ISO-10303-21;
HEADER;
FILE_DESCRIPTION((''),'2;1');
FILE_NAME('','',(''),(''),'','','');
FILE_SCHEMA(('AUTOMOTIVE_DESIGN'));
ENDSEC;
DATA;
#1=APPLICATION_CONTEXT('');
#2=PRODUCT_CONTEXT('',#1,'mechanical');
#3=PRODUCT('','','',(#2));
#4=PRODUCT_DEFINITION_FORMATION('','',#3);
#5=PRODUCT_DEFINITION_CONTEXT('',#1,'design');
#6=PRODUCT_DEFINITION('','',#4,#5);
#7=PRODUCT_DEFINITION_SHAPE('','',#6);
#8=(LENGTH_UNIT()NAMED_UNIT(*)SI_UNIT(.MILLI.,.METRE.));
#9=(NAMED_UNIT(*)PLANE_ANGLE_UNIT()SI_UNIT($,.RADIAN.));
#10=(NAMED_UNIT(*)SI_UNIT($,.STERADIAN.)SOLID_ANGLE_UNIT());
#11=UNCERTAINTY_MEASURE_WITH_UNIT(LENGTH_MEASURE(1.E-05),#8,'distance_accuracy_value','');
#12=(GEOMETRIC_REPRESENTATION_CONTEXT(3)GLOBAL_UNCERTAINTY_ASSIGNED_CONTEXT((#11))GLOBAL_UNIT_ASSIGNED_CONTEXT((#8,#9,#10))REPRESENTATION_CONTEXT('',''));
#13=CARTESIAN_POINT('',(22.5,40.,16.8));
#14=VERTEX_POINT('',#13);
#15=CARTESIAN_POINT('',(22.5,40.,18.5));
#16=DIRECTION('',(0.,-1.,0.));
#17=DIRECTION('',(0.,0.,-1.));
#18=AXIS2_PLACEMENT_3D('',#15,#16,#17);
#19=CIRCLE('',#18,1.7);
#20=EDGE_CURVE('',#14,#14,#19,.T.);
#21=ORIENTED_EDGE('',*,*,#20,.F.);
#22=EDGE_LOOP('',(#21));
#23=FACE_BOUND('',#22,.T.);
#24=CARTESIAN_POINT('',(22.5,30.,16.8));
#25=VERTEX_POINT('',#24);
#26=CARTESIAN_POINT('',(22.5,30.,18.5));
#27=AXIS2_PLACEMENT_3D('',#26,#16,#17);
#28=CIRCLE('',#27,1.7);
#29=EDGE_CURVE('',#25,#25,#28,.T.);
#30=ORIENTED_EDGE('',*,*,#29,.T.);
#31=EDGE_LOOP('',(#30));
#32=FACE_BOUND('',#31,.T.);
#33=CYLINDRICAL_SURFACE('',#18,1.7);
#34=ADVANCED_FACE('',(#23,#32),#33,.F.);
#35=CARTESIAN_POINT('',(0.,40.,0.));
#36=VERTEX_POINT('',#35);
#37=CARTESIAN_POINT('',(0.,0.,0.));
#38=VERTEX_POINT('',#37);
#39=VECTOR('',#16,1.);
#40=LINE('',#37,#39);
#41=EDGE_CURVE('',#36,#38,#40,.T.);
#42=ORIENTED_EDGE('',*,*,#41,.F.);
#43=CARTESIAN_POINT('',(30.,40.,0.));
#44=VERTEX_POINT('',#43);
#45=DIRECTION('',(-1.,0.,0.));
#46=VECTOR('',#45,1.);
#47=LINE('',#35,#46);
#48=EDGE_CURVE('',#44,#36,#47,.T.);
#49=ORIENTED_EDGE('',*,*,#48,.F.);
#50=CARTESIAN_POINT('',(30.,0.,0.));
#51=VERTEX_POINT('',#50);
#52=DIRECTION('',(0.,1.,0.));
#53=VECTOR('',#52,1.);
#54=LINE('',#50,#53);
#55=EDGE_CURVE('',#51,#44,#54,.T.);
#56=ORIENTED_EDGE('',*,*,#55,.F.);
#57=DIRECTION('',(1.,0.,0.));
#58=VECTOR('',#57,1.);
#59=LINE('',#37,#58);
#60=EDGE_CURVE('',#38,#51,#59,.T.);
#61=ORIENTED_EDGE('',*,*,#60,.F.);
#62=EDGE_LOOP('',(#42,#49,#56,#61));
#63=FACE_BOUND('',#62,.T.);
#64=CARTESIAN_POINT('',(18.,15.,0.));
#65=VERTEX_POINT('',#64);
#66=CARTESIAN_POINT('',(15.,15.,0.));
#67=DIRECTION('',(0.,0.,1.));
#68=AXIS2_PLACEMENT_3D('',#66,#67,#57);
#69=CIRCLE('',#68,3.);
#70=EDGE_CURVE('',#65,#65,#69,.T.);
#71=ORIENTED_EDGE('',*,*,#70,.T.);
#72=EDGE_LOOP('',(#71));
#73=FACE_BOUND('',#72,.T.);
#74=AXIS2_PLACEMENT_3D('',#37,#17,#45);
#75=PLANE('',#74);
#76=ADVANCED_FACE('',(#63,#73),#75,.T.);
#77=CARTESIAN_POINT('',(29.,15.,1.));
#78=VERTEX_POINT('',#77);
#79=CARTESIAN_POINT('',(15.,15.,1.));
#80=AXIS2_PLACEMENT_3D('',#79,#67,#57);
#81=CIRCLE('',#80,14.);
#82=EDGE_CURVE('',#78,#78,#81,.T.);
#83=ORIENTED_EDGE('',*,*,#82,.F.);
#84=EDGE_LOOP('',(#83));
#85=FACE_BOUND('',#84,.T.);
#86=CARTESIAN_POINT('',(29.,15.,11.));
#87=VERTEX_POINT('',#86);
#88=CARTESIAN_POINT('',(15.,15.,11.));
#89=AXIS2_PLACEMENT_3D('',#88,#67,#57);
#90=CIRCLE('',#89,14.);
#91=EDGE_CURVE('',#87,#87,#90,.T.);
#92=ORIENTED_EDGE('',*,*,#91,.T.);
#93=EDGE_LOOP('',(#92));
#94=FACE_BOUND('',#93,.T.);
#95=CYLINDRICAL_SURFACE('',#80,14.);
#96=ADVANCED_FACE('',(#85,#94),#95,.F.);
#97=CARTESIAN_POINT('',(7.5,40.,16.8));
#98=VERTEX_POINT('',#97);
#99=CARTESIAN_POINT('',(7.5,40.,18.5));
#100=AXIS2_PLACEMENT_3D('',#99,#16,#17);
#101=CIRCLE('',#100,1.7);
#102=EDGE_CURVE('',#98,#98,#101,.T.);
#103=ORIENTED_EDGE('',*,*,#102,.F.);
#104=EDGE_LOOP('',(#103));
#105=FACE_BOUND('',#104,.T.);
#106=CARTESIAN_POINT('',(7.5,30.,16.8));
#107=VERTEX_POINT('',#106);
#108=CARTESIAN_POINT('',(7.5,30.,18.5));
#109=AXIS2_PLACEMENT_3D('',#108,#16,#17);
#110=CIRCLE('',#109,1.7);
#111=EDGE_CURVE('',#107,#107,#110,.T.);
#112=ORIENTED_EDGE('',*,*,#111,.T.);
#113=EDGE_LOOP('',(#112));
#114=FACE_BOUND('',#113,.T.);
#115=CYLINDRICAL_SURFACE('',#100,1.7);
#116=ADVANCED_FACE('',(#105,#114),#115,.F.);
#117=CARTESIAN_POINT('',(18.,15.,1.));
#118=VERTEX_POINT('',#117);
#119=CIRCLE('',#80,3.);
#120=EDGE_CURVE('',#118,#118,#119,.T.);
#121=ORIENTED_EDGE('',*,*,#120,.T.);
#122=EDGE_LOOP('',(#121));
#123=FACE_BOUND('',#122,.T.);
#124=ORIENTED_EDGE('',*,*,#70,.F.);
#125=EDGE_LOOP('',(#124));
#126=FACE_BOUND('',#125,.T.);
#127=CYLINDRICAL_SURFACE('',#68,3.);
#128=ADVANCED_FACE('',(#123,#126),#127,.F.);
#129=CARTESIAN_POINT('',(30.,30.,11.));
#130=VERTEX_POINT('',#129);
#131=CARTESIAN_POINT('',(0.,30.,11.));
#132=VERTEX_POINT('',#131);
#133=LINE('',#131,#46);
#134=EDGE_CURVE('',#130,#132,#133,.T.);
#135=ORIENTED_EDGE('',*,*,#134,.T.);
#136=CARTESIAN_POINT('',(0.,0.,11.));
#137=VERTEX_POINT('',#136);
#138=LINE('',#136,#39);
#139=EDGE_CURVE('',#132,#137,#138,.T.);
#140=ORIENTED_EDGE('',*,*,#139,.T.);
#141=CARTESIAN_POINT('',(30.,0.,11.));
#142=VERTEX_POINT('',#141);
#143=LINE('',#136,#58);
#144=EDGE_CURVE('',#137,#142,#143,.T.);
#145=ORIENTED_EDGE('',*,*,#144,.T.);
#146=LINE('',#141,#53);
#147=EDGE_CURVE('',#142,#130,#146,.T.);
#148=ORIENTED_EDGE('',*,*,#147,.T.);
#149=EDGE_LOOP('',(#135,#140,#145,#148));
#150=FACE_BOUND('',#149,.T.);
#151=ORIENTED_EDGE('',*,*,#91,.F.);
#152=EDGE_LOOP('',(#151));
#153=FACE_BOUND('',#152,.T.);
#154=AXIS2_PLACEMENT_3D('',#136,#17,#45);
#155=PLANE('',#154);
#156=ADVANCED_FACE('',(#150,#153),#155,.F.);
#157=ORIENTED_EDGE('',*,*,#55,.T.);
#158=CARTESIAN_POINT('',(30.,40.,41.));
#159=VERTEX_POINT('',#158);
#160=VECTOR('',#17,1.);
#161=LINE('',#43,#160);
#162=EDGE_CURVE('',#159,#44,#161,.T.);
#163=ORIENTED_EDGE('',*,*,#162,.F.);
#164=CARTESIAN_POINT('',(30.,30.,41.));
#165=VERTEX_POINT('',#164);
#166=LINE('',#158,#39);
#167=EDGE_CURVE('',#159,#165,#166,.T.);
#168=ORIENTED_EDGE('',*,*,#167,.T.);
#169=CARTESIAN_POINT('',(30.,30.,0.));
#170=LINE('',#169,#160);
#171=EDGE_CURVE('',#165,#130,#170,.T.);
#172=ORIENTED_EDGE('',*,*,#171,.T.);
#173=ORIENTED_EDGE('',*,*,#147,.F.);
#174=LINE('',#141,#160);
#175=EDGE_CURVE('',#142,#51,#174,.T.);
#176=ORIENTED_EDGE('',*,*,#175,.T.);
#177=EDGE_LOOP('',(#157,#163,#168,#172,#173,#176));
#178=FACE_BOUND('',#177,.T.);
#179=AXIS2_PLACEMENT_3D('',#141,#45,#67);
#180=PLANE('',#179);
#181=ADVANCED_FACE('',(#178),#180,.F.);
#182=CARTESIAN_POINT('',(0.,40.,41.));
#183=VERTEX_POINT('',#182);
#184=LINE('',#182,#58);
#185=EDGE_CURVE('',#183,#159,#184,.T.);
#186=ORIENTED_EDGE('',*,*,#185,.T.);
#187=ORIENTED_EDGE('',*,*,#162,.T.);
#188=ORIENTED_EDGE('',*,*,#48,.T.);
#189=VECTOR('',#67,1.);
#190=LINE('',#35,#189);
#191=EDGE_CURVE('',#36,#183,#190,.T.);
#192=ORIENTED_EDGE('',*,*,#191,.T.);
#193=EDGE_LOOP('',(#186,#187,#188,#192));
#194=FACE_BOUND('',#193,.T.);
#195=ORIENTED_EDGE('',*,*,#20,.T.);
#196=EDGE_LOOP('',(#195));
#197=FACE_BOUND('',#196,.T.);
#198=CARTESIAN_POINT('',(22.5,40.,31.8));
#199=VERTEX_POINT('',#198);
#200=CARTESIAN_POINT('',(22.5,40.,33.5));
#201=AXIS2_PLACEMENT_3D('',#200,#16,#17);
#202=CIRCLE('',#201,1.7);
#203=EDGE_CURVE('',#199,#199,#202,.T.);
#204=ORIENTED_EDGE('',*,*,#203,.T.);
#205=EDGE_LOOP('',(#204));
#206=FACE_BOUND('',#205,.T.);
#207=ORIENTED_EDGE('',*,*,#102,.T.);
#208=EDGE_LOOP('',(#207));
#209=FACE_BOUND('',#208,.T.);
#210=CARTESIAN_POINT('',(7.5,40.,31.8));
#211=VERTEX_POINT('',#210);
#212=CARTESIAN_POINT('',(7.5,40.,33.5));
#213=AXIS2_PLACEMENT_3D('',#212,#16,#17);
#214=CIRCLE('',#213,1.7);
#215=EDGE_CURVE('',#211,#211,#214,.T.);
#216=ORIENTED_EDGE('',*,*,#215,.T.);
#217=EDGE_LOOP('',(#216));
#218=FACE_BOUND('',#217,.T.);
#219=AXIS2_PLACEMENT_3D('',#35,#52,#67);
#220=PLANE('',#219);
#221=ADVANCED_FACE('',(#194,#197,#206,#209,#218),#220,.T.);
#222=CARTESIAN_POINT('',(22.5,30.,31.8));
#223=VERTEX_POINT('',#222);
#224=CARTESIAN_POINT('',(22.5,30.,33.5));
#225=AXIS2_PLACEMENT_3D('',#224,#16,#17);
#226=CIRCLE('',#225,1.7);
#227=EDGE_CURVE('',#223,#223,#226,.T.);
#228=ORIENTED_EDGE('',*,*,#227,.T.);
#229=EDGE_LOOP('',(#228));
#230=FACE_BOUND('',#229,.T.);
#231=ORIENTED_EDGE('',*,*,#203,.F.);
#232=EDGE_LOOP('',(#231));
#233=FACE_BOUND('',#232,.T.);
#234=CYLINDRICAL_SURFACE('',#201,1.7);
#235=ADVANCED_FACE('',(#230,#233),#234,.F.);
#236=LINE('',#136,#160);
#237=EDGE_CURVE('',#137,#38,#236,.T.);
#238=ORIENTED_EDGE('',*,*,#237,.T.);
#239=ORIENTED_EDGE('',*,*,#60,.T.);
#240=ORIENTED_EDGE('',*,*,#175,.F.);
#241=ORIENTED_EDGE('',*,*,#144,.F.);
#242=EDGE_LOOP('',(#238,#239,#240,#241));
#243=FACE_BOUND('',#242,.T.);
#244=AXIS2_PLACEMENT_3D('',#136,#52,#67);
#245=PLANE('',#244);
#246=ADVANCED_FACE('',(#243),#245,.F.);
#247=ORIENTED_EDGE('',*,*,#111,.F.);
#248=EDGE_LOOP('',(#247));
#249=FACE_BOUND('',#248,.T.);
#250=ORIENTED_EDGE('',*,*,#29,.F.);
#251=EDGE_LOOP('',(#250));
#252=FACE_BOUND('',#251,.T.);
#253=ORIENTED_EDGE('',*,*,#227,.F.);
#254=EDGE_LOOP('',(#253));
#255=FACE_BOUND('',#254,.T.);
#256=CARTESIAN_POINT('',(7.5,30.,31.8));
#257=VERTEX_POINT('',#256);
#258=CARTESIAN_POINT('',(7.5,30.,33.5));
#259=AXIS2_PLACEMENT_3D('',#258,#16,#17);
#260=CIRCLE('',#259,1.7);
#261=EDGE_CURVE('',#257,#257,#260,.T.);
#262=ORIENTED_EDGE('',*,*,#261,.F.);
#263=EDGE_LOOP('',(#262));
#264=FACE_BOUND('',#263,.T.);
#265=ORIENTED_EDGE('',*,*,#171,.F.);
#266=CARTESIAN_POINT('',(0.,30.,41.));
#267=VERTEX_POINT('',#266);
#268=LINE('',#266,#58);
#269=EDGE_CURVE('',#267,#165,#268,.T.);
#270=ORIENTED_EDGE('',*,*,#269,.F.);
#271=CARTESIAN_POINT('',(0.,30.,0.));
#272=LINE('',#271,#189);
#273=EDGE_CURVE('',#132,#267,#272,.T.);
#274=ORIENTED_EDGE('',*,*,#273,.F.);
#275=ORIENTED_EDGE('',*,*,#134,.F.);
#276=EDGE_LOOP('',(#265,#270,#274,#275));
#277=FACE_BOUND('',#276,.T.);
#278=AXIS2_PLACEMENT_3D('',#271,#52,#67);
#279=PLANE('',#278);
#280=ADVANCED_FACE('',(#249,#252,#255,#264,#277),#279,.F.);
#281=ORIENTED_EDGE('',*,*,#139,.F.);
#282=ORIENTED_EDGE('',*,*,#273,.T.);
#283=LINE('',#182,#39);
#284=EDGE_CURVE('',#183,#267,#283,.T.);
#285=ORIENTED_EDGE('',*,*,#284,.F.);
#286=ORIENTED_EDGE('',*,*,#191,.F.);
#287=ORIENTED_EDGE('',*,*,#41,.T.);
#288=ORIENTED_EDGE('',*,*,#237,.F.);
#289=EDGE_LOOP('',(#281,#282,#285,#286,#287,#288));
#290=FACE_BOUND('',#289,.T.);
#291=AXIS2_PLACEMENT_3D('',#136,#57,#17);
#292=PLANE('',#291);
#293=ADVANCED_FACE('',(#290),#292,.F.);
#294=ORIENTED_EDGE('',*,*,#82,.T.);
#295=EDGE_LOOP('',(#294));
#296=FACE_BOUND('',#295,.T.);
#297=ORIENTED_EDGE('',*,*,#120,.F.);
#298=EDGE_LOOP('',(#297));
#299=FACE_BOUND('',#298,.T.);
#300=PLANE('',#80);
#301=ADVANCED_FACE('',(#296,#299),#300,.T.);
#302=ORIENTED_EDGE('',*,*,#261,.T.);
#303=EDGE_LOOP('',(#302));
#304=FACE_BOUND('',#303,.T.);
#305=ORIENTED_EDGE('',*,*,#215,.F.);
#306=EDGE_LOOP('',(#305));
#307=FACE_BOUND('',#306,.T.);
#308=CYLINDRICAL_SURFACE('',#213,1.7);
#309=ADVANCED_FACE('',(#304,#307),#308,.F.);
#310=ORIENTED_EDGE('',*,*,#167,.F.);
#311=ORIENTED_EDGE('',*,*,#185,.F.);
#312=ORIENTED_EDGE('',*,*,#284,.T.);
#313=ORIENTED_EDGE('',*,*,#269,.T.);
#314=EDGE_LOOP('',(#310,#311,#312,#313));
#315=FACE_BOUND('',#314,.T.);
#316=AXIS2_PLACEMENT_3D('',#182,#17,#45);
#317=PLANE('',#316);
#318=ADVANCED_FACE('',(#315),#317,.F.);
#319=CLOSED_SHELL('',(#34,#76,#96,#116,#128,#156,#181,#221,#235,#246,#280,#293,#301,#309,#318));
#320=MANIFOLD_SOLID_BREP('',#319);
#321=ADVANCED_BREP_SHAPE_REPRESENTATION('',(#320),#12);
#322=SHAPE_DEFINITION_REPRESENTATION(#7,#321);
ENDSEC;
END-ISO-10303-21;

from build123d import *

# Parameters (mm, degrees)
SKETCH1_W           = 30
SKETCH1_H           = 30
BOSS_EXTRUDE1_DEPTH = 11
SKETCH2_R           = 14
CUT_EXTRUDE1_DEPTH  = 10
SKETCH3_R           = 3
CUT_EXTRUDE2_DEPTH  = 1
SKETCH4_W           = 30
SKETCH4_H           = 41
BOSS_EXTRUDE2_DEPTH = 10
SKETCH5_R           = 1.7
CUT_EXTRUDE3_DEPTH  = 60


with BuildPart() as part:
    # Sketch1 → Boss-Extrude1 (new body)
    with BuildSketch(Plane.XY):
        with Locations((15, 15)):
            Rectangle(SKETCH1_W, SKETCH1_H)
    extrude(amount=BOSS_EXTRUDE1_DEPTH)

    # Sketch2 → Cut-Extrude1 (cut)
    with BuildSketch(Plane.XY.offset(11)):
        with Locations((15, 15)):
            Circle(SKETCH2_R)
    extrude(amount=-CUT_EXTRUDE1_DEPTH, mode=Mode.SUBTRACT)

    # Sketch3 → Cut-Extrude2 (cut)
    with BuildSketch(Plane.XY.offset(1)):
        with Locations((15, 15)):
            Circle(SKETCH3_R)
    extrude(amount=-CUT_EXTRUDE2_DEPTH, mode=Mode.SUBTRACT)

    # Sketch4 → Boss-Extrude2 (add)
    with BuildSketch(Plane(origin=(0, 30, 0), x_dir=(1, 0, 0), z_dir=(0, 1, 0))):
        with Locations((15, -20.5)):
            Rectangle(SKETCH4_W, SKETCH4_H)
    extrude(amount=BOSS_EXTRUDE2_DEPTH)

    # Sketch5 → Cut-Extrude3 (cut, through all)
    with BuildSketch(Plane.XZ.offset(-30)):
        with Locations(Location((7.5, 33.5, 0), (0, 0, 270))):
            Circle(SKETCH5_R)
        with Locations(Location((22.5, 33.5, 0), (0, 0, 270))):
            Circle(SKETCH5_R)
        with Locations(Location((7.5, 18.5, 0), (0, 0, 270))):
            Circle(SKETCH5_R)
        with Locations(Location((22.5, 18.5, 0), (0, 0, 270))):
            Circle(SKETCH5_R)
    extrude(amount=-CUT_EXTRUDE3_DEPTH, mode=Mode.SUBTRACT)


solid = part.part
